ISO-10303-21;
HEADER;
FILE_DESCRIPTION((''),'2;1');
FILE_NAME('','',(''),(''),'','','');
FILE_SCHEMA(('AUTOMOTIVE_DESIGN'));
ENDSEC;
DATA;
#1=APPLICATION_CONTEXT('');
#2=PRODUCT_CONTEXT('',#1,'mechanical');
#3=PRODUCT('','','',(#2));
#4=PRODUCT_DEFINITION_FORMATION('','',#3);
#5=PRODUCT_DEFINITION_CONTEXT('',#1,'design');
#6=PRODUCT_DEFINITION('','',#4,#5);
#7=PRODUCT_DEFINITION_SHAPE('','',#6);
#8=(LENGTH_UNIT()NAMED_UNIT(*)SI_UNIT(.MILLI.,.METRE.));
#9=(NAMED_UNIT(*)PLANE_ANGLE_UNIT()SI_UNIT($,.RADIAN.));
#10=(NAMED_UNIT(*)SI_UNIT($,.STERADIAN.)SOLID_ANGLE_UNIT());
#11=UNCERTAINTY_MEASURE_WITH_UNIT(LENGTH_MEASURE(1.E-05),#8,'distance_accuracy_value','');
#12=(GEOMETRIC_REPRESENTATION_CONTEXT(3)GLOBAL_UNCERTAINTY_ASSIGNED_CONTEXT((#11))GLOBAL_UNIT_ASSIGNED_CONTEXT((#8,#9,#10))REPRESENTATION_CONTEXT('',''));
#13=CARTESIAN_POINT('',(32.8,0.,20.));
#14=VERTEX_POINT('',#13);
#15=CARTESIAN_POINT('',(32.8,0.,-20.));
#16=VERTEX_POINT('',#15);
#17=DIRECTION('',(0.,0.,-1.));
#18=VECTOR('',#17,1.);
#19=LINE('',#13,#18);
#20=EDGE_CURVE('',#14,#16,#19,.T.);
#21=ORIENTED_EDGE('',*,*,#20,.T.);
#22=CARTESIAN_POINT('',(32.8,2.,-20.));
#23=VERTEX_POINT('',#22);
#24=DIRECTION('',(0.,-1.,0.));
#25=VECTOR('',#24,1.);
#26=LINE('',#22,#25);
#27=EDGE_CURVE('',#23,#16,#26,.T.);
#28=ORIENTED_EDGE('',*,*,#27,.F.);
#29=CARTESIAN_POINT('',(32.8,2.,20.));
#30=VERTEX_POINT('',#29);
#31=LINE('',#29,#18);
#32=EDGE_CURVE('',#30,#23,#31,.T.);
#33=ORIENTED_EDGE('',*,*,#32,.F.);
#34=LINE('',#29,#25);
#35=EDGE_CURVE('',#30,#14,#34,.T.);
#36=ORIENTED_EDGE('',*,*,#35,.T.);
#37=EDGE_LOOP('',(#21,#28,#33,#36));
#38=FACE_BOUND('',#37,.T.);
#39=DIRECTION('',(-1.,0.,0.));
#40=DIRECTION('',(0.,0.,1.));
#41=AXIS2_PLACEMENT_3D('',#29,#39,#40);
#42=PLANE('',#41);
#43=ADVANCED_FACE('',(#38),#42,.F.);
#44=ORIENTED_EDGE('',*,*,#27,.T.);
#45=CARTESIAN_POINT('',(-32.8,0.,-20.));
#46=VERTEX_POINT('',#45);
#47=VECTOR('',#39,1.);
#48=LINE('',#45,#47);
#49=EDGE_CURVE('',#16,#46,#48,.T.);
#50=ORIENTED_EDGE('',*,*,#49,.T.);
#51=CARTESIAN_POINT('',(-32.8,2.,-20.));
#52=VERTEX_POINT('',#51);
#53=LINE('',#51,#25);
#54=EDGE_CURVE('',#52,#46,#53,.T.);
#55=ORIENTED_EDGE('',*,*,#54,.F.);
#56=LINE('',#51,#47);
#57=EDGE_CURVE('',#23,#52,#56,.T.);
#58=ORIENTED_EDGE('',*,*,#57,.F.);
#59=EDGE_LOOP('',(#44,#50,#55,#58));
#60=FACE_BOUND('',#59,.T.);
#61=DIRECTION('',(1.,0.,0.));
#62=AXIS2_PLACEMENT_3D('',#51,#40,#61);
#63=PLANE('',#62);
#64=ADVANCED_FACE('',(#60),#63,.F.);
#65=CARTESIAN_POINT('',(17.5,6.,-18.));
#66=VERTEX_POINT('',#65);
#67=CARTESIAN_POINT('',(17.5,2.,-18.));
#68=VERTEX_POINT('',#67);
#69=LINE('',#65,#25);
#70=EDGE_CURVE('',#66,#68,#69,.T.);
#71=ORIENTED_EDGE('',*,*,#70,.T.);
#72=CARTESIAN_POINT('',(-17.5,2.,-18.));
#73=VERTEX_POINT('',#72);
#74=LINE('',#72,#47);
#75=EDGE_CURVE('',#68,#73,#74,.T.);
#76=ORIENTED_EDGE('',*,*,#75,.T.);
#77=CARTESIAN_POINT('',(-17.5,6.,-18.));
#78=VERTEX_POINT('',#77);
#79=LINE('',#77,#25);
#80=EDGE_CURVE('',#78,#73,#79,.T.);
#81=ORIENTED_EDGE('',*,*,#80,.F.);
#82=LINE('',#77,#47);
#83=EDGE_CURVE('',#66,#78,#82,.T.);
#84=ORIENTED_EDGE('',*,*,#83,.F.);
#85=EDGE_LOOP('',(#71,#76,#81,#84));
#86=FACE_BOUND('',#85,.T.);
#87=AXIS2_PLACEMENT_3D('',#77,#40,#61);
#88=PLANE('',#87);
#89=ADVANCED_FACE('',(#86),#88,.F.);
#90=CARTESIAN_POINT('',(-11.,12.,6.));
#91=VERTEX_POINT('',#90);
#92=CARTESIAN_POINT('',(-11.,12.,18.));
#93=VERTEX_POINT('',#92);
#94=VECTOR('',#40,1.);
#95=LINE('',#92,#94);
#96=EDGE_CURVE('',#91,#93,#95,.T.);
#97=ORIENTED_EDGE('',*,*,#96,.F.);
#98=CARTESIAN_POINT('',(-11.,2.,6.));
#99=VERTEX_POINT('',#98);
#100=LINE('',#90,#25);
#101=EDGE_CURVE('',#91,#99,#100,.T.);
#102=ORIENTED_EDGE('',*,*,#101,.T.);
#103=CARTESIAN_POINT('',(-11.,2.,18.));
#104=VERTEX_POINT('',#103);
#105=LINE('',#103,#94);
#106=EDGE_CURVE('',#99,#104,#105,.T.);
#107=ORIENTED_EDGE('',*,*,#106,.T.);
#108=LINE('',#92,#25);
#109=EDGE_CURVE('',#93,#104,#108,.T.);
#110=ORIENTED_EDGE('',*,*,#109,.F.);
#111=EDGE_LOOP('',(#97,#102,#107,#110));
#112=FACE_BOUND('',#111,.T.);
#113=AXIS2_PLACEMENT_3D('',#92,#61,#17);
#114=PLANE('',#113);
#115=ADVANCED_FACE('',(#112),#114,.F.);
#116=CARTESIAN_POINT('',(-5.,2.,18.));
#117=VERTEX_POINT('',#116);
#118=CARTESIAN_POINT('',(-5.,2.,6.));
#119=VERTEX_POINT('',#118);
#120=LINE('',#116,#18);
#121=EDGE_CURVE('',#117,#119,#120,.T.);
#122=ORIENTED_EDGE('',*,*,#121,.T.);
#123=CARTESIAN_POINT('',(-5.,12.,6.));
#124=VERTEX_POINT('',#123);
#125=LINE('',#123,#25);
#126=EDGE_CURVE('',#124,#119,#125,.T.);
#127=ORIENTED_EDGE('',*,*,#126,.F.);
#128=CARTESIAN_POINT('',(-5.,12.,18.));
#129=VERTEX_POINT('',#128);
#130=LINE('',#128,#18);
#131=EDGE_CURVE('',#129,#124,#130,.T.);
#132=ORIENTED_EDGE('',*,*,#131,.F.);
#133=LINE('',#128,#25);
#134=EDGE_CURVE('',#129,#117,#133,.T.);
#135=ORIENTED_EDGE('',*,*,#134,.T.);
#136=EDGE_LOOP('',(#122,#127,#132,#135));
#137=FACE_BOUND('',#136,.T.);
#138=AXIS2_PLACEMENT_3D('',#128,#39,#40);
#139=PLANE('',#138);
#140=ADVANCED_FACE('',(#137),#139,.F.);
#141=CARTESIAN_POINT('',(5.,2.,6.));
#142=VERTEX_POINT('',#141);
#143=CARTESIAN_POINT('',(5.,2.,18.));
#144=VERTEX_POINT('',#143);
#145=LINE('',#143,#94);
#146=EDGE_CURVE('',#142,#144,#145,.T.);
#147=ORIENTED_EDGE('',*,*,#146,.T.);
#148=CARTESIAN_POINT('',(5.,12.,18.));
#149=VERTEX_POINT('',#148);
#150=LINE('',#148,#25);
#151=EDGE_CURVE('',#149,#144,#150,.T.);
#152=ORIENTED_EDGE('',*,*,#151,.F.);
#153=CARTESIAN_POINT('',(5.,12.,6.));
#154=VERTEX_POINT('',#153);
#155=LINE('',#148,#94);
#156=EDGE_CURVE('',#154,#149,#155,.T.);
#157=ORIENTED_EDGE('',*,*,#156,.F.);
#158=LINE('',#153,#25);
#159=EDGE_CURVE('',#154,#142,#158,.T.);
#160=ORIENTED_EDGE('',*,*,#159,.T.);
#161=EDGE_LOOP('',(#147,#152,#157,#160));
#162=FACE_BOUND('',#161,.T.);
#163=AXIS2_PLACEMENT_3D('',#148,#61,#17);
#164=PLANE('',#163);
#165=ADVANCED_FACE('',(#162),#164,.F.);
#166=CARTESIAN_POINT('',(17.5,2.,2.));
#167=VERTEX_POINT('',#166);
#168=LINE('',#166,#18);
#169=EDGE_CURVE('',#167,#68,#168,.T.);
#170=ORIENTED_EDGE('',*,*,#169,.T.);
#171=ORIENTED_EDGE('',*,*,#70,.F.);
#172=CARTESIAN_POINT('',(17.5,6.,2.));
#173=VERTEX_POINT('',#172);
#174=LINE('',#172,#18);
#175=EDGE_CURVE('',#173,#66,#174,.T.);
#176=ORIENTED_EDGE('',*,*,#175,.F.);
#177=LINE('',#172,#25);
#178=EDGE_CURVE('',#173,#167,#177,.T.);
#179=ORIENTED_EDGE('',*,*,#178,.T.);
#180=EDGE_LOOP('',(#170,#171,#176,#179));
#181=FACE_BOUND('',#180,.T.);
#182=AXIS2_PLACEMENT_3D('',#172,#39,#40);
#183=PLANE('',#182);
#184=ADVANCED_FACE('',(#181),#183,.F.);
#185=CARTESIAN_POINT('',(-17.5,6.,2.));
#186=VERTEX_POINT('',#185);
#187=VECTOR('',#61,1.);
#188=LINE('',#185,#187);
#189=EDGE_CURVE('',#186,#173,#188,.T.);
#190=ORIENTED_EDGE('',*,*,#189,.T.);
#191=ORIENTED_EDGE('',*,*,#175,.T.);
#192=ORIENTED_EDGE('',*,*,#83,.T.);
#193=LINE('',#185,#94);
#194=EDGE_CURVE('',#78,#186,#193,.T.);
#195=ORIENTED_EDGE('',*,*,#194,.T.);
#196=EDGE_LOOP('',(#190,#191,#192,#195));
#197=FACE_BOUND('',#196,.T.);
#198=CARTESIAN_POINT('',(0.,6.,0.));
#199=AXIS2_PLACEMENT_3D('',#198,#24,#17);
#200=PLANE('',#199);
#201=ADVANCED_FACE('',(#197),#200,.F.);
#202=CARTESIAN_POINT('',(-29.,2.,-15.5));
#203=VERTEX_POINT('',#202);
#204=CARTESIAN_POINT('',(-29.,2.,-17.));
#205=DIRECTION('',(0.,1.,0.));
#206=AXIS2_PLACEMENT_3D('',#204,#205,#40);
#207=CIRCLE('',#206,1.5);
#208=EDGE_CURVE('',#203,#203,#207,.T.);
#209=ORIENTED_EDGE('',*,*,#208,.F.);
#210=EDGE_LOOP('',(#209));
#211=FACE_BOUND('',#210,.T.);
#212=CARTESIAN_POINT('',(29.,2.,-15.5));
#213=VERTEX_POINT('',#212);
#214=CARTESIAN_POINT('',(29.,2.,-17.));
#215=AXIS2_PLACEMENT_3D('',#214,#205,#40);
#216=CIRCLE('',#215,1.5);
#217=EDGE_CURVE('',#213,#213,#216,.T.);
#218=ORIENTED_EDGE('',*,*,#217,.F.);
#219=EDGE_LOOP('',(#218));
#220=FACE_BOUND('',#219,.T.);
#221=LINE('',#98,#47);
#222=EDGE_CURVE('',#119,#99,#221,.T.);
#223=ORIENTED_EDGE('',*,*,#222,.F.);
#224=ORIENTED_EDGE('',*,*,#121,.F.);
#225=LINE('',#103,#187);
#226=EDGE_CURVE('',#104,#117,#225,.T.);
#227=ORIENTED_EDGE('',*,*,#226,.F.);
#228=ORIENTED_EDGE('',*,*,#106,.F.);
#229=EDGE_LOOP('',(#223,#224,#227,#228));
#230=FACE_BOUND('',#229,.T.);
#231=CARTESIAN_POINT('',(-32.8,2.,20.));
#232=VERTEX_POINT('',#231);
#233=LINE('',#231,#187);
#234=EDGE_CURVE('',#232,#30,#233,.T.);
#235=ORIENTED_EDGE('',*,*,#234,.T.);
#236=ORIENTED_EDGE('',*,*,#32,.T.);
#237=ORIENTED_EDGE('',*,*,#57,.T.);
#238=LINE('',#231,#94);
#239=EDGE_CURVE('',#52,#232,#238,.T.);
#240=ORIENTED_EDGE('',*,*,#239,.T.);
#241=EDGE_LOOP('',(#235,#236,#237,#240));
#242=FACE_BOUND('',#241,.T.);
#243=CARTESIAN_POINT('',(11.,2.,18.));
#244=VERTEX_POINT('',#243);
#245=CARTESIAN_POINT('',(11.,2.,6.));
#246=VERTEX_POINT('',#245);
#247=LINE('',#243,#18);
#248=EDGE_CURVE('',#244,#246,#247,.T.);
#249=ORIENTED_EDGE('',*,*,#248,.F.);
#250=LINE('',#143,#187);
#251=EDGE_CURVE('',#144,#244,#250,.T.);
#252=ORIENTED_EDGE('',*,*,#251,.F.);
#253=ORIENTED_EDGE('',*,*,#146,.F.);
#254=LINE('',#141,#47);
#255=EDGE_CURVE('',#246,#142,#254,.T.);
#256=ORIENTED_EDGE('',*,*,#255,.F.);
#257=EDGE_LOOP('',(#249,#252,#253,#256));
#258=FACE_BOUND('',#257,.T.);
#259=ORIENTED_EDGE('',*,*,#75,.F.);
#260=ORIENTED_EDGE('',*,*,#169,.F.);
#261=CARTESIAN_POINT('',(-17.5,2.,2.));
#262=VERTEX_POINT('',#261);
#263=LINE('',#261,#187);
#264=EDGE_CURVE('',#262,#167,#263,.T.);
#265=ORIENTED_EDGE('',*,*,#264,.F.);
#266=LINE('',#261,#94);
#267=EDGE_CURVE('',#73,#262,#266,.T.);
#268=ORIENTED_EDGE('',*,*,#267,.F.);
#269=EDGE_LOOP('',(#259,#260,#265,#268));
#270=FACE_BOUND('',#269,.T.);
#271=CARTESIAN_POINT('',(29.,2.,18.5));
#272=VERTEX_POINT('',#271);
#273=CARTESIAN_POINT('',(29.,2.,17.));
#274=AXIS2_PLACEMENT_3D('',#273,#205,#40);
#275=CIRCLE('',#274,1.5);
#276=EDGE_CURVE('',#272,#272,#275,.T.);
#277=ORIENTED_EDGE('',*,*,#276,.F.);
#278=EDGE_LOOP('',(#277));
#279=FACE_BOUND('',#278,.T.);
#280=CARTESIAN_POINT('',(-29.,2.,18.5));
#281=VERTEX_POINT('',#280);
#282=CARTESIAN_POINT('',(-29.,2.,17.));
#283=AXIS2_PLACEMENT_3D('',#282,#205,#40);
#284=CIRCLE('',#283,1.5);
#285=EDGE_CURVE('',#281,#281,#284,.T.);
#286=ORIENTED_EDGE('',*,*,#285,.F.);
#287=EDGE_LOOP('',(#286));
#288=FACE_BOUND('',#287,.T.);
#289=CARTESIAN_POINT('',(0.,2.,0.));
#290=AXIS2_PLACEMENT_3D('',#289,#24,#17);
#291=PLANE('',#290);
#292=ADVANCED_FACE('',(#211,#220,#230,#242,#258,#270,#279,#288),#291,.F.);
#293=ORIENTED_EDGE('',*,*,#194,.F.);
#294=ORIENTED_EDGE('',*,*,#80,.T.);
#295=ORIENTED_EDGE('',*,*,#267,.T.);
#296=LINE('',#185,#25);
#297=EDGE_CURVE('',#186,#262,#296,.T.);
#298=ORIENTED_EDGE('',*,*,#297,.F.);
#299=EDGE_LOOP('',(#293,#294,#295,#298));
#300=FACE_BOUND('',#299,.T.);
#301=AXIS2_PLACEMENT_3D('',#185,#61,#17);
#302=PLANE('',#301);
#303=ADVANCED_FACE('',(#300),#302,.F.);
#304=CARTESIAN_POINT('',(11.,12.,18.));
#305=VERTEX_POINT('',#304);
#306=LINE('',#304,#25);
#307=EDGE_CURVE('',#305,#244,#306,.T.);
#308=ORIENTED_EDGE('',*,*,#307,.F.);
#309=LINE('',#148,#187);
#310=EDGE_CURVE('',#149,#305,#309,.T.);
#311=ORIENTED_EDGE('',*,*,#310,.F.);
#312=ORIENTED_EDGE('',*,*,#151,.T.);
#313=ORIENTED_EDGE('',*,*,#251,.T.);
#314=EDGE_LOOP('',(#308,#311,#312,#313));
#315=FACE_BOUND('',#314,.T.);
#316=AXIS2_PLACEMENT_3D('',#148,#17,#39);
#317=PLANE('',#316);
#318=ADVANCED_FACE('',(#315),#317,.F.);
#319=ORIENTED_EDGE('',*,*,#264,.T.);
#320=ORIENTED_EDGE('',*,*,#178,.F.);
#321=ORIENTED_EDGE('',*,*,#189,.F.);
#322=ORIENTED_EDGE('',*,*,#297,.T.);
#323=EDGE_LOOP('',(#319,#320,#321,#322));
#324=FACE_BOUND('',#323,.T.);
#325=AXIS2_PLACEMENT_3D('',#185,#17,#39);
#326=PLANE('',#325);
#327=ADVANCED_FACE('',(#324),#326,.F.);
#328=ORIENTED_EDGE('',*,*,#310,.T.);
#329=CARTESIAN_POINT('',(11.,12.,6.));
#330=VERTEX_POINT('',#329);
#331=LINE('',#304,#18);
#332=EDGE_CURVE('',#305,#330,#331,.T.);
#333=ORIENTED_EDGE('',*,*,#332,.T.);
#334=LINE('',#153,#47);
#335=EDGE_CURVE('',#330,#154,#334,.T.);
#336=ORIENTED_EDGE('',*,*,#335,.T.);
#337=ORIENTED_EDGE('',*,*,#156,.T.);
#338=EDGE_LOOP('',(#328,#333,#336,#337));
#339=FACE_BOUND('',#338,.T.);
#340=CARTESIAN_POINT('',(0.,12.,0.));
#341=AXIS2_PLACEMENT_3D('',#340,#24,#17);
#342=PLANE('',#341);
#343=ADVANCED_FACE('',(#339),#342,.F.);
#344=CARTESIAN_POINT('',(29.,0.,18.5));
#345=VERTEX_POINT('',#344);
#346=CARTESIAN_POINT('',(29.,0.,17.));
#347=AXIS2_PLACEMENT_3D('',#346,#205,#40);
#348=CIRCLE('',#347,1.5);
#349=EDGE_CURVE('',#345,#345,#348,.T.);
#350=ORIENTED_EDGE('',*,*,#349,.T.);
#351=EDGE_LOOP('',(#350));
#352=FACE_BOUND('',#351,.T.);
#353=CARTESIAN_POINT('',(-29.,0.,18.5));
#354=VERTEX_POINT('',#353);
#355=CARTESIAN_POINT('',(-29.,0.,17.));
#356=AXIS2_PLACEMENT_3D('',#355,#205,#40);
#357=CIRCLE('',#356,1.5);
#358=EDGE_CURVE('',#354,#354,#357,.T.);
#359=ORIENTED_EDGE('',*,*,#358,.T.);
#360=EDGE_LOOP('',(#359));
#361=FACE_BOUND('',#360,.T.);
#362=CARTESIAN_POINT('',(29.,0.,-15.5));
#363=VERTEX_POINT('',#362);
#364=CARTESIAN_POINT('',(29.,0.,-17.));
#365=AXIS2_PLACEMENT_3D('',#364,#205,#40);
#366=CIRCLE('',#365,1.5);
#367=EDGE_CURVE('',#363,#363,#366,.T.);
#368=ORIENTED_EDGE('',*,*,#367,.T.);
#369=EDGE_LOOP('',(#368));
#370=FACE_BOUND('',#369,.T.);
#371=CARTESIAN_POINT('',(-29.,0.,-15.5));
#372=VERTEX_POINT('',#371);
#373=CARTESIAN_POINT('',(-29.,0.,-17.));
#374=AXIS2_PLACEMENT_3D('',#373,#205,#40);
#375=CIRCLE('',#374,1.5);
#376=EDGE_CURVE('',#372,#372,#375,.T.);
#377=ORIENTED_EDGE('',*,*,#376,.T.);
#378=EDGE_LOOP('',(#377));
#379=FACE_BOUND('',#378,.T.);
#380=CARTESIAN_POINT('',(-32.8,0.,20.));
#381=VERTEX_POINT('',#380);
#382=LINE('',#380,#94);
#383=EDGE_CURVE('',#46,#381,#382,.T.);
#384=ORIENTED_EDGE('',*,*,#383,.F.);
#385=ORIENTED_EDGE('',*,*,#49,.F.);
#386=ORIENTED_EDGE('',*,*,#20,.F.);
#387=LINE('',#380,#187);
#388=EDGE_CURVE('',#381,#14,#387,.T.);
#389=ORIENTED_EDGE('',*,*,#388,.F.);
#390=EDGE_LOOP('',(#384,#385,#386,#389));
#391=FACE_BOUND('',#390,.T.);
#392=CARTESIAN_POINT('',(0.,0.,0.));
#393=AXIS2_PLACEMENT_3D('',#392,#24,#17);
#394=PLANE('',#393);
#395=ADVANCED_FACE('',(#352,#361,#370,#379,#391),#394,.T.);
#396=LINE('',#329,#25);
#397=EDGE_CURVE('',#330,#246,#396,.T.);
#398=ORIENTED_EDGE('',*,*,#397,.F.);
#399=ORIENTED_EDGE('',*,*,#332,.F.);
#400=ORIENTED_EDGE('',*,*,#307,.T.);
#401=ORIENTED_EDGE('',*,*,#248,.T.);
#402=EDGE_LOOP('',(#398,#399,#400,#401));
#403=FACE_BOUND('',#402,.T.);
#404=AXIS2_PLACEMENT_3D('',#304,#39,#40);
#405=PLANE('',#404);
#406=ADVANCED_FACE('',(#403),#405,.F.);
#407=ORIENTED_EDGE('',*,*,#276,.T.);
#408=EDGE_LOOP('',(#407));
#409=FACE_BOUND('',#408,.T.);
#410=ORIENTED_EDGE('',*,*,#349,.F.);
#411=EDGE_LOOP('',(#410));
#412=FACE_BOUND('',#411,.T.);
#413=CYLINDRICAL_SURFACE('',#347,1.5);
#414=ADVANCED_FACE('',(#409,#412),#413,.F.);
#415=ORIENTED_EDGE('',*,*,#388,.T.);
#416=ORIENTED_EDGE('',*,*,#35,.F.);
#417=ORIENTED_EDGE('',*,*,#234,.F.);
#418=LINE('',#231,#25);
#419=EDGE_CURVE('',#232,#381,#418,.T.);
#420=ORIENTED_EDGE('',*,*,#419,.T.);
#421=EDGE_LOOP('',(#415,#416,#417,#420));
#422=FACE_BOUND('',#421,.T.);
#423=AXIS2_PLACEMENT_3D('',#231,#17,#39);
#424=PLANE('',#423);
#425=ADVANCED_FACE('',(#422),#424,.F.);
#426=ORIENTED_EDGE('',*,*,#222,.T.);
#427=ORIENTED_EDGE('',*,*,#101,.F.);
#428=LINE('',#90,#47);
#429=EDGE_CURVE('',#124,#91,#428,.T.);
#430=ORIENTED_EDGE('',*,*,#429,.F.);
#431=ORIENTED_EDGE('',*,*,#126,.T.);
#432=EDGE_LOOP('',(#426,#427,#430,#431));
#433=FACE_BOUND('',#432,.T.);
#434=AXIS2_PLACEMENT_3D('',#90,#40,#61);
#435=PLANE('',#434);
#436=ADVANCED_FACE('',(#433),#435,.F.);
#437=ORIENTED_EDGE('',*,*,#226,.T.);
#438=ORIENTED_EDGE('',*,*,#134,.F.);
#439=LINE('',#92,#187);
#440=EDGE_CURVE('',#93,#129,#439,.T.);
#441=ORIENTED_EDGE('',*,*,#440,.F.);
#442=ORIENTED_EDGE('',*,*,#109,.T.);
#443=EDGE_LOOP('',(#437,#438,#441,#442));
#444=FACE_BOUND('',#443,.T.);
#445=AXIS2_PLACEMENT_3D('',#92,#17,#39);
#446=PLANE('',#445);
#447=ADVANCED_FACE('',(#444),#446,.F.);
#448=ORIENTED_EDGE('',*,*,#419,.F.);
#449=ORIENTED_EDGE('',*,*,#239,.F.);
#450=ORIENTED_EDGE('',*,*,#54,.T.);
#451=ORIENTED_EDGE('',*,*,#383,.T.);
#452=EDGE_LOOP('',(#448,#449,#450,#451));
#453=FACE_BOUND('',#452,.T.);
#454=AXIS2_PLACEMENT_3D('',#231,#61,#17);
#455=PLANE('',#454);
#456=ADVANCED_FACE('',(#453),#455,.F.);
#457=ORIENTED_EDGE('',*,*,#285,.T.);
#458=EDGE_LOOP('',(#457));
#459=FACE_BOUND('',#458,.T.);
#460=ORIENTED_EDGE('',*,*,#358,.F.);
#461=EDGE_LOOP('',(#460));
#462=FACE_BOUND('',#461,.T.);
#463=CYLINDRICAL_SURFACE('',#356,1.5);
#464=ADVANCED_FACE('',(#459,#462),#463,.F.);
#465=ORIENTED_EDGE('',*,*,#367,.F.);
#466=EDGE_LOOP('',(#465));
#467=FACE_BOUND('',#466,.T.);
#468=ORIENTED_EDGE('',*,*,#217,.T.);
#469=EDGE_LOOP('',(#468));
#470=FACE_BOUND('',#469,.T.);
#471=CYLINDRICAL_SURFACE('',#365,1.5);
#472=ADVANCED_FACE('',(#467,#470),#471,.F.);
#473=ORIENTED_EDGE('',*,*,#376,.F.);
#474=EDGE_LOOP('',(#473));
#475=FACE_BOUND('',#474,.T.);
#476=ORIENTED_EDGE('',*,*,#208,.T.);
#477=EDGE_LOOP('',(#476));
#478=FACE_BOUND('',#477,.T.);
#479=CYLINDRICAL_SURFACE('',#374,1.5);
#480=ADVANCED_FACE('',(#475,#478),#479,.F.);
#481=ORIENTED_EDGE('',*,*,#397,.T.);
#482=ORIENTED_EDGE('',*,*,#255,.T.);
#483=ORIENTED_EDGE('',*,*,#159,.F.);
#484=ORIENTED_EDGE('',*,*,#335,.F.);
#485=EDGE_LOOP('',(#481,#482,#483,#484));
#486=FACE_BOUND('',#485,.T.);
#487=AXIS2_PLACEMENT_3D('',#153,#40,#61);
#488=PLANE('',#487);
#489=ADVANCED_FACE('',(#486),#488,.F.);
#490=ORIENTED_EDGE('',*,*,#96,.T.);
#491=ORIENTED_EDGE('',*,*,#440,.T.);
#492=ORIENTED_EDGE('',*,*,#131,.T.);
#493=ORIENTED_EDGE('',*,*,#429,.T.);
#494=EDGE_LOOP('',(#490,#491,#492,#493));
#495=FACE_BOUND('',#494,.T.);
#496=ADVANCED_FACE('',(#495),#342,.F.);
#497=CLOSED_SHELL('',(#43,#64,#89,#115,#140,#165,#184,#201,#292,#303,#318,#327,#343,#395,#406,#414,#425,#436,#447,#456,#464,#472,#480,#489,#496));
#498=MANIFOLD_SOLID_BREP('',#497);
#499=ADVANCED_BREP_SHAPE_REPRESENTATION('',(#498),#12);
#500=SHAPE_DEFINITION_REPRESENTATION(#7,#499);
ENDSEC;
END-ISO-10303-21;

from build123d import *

# Parameters (mm, degrees)
SKETCH1_W           = 65.6
SKETCH1_H           = 40
BOSS_EXTRUDE1_DEPTH = 2
SKETCH2_R           = 1.5
CUT_EXTRUDE1_DEPTH  = 3
SKETCH3_W           = 35
SKETCH3_H           = 20
BOSS_EXTRUDE2_DEPTH = 4
SKETCH4_W           = 6
SKETCH4_H           = 12
BOSS_EXTRUDE3_DEPTH = 10


with BuildPart() as part:
    # Sketch1 → Boss-Extrude1 (new body)
    with BuildSketch(Plane(origin=(0, 0, 0), x_dir=(1, 0, 0), z_dir=(0, 1, 0))):
        Rectangle(SKETCH1_W, SKETCH1_H)
    extrude(amount=BOSS_EXTRUDE1_DEPTH)

    # Sketch2 → Cut-Extrude1 (cut, through all)
    with BuildSketch(Plane(origin=(0, 2, 0), x_dir=(1, 0, 0), z_dir=(0, 1, 0))):
        with Locations((-29, 17)):
            Circle(SKETCH2_R)
        with Locations((29, 17)):
            Circle(SKETCH2_R)
        with Locations((29, -17)):
            Circle(SKETCH2_R)
        with Locations((-29, -17)):
            Circle(SKETCH2_R)
    extrude(amount=-CUT_EXTRUDE1_DEPTH, mode=Mode.SUBTRACT)

    # Sketch3 → Boss-Extrude2 (add)
    with BuildSketch(Plane(origin=(0, 2, 0), x_dir=(1, 0, 0), z_dir=(0, 1, 0))):
        with Locations((0, 8)):
            Rectangle(SKETCH3_W, SKETCH3_H)
    extrude(amount=BOSS_EXTRUDE2_DEPTH)

    # Sketch4 → Boss-Extrude3 (add)
    with BuildSketch(Plane(origin=(0, 2, 0), x_dir=(1, 0, 0), z_dir=(0, 1, 0))):
        with Locations((-8, -12)):
            Rectangle(SKETCH4_W, SKETCH4_H)
        with Locations((8, -12)):
            Rectangle(SKETCH4_W, SKETCH4_H)
    extrude(amount=BOSS_EXTRUDE3_DEPTH)


solid = part.part
